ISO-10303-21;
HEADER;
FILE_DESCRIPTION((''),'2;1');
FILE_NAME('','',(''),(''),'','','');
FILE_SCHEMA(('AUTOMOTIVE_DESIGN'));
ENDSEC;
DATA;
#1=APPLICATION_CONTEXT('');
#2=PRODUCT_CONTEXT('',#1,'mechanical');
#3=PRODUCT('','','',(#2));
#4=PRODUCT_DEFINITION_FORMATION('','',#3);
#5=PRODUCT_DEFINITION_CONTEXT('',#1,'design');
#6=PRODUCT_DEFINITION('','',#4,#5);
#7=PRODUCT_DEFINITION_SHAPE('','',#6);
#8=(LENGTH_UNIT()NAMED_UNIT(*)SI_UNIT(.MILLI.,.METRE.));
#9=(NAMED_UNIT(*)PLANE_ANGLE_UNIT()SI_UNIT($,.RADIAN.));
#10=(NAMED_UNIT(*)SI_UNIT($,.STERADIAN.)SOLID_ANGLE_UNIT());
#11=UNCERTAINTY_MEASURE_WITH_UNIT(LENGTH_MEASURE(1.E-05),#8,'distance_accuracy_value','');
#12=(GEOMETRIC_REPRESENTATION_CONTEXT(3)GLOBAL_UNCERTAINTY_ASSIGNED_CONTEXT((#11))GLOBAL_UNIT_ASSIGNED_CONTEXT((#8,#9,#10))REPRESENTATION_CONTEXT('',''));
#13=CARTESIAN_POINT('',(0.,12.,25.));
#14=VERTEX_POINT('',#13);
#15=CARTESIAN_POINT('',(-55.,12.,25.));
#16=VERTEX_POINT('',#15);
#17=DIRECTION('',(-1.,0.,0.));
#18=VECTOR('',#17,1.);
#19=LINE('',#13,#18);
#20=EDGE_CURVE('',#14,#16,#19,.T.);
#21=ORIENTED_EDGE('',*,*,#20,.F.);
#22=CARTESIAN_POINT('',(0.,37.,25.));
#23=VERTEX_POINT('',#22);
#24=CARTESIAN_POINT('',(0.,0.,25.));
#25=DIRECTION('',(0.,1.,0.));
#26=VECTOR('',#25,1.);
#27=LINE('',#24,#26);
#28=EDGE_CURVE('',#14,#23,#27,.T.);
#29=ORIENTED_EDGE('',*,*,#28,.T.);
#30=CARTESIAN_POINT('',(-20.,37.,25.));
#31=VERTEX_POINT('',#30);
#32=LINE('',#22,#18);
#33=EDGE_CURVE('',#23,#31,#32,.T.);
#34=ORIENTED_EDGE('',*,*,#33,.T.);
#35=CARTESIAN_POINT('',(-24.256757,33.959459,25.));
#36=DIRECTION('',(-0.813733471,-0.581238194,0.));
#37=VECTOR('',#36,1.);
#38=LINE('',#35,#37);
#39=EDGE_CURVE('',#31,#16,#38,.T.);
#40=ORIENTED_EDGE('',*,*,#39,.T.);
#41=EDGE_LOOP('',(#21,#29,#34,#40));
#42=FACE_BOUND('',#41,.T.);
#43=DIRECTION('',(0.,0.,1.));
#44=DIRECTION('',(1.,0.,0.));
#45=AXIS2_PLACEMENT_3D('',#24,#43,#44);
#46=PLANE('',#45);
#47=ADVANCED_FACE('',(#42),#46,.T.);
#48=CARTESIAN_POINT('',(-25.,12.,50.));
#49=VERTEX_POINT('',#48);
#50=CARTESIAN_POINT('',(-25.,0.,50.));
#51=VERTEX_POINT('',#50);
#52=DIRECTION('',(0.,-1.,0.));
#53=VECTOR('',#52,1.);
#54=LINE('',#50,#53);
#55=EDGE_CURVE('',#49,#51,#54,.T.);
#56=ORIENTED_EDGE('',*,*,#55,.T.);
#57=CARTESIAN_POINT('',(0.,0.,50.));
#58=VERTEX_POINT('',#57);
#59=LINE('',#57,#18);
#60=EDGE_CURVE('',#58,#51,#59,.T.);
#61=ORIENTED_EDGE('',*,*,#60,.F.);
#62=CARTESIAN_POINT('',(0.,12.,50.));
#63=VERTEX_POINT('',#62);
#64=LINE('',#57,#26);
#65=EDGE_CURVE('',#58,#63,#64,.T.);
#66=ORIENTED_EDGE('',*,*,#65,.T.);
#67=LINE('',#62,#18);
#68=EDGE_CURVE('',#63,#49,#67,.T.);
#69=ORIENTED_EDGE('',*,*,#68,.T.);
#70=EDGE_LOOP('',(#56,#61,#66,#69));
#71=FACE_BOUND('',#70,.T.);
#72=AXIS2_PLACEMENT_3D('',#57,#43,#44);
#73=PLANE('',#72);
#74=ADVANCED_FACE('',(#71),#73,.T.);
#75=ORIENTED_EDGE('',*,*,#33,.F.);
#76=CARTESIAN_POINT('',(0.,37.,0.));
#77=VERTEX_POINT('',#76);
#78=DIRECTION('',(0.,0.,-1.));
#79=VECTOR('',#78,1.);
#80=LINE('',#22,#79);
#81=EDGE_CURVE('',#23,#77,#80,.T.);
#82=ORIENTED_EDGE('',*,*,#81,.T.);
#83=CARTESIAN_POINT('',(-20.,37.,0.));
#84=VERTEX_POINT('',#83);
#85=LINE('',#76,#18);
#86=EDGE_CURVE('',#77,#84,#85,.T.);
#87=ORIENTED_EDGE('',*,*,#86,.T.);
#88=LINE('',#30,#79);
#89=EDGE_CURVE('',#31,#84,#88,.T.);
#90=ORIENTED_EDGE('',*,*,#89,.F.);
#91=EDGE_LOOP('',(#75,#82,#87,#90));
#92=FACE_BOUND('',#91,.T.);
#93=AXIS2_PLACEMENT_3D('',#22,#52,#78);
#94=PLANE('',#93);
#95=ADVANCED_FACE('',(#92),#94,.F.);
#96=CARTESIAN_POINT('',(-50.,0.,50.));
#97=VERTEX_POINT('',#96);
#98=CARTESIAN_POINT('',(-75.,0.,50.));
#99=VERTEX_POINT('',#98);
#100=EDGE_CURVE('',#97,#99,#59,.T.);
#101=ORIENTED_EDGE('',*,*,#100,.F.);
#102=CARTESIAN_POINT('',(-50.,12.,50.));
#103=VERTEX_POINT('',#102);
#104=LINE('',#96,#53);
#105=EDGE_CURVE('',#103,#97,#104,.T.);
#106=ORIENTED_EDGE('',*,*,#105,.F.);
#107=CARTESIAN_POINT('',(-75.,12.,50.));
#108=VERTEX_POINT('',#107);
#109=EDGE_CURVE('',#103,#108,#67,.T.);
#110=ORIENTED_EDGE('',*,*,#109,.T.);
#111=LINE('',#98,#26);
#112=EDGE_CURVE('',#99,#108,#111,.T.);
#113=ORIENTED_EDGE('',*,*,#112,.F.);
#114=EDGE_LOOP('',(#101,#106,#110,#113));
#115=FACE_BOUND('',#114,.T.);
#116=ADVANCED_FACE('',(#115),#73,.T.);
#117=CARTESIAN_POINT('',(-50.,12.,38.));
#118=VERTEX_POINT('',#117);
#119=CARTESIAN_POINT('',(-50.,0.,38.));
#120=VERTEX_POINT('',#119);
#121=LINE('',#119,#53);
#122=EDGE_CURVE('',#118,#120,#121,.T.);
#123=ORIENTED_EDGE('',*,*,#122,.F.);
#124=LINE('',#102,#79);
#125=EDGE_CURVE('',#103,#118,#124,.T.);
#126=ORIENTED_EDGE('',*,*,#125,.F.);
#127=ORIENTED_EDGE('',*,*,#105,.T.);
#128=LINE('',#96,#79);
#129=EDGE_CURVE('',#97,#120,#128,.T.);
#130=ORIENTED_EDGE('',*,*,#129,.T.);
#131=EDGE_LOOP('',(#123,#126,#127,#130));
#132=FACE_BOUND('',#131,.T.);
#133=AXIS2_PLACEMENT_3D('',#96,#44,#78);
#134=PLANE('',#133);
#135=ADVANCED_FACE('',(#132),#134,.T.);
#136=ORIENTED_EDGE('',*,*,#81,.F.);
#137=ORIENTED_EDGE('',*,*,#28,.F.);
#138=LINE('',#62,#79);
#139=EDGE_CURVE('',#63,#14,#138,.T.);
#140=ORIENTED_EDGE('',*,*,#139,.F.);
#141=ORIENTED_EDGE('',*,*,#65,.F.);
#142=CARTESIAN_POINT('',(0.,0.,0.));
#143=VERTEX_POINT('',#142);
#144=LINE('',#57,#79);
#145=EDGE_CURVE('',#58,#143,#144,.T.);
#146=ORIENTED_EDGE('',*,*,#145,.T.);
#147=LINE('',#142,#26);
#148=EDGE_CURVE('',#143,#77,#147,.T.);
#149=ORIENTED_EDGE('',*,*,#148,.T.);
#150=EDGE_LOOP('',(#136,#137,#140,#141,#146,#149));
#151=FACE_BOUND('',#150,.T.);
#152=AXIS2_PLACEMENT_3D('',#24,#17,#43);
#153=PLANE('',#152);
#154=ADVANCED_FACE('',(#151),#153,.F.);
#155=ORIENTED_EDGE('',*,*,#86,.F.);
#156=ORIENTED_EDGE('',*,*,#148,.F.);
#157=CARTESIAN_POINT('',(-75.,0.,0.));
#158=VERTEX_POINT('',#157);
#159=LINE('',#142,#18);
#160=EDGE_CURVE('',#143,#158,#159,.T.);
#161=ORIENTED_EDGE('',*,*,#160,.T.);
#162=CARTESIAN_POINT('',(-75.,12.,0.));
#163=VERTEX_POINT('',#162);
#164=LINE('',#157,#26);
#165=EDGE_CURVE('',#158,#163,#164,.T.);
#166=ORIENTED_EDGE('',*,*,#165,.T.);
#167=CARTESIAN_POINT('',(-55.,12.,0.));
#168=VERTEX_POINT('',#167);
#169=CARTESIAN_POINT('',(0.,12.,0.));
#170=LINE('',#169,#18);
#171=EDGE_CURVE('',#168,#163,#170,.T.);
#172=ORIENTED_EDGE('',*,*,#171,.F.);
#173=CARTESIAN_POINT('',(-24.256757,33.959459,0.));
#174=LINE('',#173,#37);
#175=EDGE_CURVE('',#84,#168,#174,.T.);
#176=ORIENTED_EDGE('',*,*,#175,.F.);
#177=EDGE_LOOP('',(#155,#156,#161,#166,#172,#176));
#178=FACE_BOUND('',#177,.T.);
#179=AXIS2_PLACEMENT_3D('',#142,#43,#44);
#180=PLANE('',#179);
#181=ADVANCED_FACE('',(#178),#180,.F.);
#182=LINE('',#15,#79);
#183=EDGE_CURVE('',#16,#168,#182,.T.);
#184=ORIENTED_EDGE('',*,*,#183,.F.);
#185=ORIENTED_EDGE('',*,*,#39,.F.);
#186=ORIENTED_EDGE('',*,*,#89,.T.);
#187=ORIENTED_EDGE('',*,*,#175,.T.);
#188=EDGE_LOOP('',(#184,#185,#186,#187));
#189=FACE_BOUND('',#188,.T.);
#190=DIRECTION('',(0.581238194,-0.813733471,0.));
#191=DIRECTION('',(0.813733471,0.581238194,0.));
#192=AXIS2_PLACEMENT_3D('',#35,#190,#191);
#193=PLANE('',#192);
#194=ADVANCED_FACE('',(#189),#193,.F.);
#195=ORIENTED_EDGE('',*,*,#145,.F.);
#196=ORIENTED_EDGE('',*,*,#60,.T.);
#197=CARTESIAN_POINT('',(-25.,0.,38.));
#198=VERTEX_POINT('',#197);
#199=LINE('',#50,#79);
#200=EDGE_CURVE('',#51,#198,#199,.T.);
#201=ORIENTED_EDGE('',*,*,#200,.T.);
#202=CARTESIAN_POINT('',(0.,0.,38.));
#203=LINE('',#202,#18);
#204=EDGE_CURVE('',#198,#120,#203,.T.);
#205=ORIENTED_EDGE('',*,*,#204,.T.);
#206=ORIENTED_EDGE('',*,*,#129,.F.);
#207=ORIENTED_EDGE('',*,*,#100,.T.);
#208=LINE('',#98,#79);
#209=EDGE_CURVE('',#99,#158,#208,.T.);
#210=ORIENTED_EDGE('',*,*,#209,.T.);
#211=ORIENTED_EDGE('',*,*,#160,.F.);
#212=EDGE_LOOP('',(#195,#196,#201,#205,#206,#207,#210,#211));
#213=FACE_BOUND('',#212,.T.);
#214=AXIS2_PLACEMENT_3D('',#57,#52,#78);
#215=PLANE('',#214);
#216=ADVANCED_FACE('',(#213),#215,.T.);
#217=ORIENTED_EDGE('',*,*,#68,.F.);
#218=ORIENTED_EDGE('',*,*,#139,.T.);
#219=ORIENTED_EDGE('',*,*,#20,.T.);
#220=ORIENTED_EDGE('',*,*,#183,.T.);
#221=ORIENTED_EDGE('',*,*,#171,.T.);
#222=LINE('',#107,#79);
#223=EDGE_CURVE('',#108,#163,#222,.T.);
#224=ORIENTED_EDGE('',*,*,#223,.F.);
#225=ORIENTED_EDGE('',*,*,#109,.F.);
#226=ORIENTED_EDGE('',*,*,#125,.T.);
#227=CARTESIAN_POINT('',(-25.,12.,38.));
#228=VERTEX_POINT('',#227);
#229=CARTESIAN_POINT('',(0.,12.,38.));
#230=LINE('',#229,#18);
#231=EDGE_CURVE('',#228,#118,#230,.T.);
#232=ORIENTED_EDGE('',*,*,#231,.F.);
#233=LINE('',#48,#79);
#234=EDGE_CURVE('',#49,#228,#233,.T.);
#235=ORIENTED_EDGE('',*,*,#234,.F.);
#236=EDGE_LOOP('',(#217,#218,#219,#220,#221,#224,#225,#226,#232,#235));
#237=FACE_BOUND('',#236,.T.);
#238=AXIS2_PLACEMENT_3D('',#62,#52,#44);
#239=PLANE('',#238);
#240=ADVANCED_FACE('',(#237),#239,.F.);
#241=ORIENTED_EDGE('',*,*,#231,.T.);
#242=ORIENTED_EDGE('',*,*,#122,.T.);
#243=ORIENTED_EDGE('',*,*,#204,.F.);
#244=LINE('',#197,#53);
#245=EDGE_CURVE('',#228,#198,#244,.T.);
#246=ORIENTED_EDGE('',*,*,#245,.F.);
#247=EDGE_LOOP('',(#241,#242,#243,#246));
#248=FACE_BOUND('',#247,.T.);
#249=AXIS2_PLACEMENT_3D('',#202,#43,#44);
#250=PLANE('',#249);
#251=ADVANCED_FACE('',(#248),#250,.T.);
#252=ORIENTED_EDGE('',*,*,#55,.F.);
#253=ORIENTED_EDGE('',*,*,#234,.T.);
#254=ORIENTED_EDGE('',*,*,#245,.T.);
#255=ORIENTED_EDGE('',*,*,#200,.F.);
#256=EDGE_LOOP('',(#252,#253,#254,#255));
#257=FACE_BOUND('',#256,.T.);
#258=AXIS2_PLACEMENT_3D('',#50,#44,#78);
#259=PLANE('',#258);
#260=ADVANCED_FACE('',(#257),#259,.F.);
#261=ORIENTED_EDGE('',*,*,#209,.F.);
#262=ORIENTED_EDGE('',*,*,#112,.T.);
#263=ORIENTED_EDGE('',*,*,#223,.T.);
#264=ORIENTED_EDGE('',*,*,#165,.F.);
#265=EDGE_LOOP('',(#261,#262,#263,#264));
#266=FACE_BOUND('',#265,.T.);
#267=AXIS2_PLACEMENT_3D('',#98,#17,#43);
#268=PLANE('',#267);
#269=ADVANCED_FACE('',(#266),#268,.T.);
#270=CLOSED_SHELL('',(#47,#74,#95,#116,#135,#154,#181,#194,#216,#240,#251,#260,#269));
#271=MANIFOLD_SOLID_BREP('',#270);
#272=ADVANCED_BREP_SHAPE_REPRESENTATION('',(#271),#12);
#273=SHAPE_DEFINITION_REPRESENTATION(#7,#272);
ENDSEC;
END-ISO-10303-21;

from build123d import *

# Parameters (mm, degrees)
BOSS_EXTRUDE1_DEPTH = 25
SKETCH1_3_W         = 25
SKETCH1_3_H         = 12
BOSS_EXTRUDE2_DEPTH = 50
SKETCH1_4_W         = 25
SKETCH1_4_H         = 12
BOSS_EXTRUDE3_DEPTH = 38


with BuildPart() as part:
    # Sketch1 → Boss-Extrude1 (new body)
    with BuildSketch(Plane.XY):
        Polygon((-25, 12), (0, 12), (0, 37), (-20, 37), (-55, 12), (-50, 12), align=None)
    extrude(amount=BOSS_EXTRUDE1_DEPTH)

    # Sketch1<3> → Boss-Extrude2 (add)
    with BuildSketch(Plane.XY):
        with Locations((-12.5, 6)):
            Rectangle(SKETCH1_3_W, SKETCH1_3_H)
        with Locations((-62.5, 6)):
            Rectangle(SKETCH1_3_W, SKETCH1_3_H)
    extrude(amount=BOSS_EXTRUDE2_DEPTH)

    # Sketch1<4> → Boss-Extrude3 (add)
    with BuildSketch(Plane.XY):
        with Locations((-37.5, 6)):
            Rectangle(SKETCH1_4_W, SKETCH1_4_H)
    extrude(amount=BOSS_EXTRUDE3_DEPTH)


solid = part.part
